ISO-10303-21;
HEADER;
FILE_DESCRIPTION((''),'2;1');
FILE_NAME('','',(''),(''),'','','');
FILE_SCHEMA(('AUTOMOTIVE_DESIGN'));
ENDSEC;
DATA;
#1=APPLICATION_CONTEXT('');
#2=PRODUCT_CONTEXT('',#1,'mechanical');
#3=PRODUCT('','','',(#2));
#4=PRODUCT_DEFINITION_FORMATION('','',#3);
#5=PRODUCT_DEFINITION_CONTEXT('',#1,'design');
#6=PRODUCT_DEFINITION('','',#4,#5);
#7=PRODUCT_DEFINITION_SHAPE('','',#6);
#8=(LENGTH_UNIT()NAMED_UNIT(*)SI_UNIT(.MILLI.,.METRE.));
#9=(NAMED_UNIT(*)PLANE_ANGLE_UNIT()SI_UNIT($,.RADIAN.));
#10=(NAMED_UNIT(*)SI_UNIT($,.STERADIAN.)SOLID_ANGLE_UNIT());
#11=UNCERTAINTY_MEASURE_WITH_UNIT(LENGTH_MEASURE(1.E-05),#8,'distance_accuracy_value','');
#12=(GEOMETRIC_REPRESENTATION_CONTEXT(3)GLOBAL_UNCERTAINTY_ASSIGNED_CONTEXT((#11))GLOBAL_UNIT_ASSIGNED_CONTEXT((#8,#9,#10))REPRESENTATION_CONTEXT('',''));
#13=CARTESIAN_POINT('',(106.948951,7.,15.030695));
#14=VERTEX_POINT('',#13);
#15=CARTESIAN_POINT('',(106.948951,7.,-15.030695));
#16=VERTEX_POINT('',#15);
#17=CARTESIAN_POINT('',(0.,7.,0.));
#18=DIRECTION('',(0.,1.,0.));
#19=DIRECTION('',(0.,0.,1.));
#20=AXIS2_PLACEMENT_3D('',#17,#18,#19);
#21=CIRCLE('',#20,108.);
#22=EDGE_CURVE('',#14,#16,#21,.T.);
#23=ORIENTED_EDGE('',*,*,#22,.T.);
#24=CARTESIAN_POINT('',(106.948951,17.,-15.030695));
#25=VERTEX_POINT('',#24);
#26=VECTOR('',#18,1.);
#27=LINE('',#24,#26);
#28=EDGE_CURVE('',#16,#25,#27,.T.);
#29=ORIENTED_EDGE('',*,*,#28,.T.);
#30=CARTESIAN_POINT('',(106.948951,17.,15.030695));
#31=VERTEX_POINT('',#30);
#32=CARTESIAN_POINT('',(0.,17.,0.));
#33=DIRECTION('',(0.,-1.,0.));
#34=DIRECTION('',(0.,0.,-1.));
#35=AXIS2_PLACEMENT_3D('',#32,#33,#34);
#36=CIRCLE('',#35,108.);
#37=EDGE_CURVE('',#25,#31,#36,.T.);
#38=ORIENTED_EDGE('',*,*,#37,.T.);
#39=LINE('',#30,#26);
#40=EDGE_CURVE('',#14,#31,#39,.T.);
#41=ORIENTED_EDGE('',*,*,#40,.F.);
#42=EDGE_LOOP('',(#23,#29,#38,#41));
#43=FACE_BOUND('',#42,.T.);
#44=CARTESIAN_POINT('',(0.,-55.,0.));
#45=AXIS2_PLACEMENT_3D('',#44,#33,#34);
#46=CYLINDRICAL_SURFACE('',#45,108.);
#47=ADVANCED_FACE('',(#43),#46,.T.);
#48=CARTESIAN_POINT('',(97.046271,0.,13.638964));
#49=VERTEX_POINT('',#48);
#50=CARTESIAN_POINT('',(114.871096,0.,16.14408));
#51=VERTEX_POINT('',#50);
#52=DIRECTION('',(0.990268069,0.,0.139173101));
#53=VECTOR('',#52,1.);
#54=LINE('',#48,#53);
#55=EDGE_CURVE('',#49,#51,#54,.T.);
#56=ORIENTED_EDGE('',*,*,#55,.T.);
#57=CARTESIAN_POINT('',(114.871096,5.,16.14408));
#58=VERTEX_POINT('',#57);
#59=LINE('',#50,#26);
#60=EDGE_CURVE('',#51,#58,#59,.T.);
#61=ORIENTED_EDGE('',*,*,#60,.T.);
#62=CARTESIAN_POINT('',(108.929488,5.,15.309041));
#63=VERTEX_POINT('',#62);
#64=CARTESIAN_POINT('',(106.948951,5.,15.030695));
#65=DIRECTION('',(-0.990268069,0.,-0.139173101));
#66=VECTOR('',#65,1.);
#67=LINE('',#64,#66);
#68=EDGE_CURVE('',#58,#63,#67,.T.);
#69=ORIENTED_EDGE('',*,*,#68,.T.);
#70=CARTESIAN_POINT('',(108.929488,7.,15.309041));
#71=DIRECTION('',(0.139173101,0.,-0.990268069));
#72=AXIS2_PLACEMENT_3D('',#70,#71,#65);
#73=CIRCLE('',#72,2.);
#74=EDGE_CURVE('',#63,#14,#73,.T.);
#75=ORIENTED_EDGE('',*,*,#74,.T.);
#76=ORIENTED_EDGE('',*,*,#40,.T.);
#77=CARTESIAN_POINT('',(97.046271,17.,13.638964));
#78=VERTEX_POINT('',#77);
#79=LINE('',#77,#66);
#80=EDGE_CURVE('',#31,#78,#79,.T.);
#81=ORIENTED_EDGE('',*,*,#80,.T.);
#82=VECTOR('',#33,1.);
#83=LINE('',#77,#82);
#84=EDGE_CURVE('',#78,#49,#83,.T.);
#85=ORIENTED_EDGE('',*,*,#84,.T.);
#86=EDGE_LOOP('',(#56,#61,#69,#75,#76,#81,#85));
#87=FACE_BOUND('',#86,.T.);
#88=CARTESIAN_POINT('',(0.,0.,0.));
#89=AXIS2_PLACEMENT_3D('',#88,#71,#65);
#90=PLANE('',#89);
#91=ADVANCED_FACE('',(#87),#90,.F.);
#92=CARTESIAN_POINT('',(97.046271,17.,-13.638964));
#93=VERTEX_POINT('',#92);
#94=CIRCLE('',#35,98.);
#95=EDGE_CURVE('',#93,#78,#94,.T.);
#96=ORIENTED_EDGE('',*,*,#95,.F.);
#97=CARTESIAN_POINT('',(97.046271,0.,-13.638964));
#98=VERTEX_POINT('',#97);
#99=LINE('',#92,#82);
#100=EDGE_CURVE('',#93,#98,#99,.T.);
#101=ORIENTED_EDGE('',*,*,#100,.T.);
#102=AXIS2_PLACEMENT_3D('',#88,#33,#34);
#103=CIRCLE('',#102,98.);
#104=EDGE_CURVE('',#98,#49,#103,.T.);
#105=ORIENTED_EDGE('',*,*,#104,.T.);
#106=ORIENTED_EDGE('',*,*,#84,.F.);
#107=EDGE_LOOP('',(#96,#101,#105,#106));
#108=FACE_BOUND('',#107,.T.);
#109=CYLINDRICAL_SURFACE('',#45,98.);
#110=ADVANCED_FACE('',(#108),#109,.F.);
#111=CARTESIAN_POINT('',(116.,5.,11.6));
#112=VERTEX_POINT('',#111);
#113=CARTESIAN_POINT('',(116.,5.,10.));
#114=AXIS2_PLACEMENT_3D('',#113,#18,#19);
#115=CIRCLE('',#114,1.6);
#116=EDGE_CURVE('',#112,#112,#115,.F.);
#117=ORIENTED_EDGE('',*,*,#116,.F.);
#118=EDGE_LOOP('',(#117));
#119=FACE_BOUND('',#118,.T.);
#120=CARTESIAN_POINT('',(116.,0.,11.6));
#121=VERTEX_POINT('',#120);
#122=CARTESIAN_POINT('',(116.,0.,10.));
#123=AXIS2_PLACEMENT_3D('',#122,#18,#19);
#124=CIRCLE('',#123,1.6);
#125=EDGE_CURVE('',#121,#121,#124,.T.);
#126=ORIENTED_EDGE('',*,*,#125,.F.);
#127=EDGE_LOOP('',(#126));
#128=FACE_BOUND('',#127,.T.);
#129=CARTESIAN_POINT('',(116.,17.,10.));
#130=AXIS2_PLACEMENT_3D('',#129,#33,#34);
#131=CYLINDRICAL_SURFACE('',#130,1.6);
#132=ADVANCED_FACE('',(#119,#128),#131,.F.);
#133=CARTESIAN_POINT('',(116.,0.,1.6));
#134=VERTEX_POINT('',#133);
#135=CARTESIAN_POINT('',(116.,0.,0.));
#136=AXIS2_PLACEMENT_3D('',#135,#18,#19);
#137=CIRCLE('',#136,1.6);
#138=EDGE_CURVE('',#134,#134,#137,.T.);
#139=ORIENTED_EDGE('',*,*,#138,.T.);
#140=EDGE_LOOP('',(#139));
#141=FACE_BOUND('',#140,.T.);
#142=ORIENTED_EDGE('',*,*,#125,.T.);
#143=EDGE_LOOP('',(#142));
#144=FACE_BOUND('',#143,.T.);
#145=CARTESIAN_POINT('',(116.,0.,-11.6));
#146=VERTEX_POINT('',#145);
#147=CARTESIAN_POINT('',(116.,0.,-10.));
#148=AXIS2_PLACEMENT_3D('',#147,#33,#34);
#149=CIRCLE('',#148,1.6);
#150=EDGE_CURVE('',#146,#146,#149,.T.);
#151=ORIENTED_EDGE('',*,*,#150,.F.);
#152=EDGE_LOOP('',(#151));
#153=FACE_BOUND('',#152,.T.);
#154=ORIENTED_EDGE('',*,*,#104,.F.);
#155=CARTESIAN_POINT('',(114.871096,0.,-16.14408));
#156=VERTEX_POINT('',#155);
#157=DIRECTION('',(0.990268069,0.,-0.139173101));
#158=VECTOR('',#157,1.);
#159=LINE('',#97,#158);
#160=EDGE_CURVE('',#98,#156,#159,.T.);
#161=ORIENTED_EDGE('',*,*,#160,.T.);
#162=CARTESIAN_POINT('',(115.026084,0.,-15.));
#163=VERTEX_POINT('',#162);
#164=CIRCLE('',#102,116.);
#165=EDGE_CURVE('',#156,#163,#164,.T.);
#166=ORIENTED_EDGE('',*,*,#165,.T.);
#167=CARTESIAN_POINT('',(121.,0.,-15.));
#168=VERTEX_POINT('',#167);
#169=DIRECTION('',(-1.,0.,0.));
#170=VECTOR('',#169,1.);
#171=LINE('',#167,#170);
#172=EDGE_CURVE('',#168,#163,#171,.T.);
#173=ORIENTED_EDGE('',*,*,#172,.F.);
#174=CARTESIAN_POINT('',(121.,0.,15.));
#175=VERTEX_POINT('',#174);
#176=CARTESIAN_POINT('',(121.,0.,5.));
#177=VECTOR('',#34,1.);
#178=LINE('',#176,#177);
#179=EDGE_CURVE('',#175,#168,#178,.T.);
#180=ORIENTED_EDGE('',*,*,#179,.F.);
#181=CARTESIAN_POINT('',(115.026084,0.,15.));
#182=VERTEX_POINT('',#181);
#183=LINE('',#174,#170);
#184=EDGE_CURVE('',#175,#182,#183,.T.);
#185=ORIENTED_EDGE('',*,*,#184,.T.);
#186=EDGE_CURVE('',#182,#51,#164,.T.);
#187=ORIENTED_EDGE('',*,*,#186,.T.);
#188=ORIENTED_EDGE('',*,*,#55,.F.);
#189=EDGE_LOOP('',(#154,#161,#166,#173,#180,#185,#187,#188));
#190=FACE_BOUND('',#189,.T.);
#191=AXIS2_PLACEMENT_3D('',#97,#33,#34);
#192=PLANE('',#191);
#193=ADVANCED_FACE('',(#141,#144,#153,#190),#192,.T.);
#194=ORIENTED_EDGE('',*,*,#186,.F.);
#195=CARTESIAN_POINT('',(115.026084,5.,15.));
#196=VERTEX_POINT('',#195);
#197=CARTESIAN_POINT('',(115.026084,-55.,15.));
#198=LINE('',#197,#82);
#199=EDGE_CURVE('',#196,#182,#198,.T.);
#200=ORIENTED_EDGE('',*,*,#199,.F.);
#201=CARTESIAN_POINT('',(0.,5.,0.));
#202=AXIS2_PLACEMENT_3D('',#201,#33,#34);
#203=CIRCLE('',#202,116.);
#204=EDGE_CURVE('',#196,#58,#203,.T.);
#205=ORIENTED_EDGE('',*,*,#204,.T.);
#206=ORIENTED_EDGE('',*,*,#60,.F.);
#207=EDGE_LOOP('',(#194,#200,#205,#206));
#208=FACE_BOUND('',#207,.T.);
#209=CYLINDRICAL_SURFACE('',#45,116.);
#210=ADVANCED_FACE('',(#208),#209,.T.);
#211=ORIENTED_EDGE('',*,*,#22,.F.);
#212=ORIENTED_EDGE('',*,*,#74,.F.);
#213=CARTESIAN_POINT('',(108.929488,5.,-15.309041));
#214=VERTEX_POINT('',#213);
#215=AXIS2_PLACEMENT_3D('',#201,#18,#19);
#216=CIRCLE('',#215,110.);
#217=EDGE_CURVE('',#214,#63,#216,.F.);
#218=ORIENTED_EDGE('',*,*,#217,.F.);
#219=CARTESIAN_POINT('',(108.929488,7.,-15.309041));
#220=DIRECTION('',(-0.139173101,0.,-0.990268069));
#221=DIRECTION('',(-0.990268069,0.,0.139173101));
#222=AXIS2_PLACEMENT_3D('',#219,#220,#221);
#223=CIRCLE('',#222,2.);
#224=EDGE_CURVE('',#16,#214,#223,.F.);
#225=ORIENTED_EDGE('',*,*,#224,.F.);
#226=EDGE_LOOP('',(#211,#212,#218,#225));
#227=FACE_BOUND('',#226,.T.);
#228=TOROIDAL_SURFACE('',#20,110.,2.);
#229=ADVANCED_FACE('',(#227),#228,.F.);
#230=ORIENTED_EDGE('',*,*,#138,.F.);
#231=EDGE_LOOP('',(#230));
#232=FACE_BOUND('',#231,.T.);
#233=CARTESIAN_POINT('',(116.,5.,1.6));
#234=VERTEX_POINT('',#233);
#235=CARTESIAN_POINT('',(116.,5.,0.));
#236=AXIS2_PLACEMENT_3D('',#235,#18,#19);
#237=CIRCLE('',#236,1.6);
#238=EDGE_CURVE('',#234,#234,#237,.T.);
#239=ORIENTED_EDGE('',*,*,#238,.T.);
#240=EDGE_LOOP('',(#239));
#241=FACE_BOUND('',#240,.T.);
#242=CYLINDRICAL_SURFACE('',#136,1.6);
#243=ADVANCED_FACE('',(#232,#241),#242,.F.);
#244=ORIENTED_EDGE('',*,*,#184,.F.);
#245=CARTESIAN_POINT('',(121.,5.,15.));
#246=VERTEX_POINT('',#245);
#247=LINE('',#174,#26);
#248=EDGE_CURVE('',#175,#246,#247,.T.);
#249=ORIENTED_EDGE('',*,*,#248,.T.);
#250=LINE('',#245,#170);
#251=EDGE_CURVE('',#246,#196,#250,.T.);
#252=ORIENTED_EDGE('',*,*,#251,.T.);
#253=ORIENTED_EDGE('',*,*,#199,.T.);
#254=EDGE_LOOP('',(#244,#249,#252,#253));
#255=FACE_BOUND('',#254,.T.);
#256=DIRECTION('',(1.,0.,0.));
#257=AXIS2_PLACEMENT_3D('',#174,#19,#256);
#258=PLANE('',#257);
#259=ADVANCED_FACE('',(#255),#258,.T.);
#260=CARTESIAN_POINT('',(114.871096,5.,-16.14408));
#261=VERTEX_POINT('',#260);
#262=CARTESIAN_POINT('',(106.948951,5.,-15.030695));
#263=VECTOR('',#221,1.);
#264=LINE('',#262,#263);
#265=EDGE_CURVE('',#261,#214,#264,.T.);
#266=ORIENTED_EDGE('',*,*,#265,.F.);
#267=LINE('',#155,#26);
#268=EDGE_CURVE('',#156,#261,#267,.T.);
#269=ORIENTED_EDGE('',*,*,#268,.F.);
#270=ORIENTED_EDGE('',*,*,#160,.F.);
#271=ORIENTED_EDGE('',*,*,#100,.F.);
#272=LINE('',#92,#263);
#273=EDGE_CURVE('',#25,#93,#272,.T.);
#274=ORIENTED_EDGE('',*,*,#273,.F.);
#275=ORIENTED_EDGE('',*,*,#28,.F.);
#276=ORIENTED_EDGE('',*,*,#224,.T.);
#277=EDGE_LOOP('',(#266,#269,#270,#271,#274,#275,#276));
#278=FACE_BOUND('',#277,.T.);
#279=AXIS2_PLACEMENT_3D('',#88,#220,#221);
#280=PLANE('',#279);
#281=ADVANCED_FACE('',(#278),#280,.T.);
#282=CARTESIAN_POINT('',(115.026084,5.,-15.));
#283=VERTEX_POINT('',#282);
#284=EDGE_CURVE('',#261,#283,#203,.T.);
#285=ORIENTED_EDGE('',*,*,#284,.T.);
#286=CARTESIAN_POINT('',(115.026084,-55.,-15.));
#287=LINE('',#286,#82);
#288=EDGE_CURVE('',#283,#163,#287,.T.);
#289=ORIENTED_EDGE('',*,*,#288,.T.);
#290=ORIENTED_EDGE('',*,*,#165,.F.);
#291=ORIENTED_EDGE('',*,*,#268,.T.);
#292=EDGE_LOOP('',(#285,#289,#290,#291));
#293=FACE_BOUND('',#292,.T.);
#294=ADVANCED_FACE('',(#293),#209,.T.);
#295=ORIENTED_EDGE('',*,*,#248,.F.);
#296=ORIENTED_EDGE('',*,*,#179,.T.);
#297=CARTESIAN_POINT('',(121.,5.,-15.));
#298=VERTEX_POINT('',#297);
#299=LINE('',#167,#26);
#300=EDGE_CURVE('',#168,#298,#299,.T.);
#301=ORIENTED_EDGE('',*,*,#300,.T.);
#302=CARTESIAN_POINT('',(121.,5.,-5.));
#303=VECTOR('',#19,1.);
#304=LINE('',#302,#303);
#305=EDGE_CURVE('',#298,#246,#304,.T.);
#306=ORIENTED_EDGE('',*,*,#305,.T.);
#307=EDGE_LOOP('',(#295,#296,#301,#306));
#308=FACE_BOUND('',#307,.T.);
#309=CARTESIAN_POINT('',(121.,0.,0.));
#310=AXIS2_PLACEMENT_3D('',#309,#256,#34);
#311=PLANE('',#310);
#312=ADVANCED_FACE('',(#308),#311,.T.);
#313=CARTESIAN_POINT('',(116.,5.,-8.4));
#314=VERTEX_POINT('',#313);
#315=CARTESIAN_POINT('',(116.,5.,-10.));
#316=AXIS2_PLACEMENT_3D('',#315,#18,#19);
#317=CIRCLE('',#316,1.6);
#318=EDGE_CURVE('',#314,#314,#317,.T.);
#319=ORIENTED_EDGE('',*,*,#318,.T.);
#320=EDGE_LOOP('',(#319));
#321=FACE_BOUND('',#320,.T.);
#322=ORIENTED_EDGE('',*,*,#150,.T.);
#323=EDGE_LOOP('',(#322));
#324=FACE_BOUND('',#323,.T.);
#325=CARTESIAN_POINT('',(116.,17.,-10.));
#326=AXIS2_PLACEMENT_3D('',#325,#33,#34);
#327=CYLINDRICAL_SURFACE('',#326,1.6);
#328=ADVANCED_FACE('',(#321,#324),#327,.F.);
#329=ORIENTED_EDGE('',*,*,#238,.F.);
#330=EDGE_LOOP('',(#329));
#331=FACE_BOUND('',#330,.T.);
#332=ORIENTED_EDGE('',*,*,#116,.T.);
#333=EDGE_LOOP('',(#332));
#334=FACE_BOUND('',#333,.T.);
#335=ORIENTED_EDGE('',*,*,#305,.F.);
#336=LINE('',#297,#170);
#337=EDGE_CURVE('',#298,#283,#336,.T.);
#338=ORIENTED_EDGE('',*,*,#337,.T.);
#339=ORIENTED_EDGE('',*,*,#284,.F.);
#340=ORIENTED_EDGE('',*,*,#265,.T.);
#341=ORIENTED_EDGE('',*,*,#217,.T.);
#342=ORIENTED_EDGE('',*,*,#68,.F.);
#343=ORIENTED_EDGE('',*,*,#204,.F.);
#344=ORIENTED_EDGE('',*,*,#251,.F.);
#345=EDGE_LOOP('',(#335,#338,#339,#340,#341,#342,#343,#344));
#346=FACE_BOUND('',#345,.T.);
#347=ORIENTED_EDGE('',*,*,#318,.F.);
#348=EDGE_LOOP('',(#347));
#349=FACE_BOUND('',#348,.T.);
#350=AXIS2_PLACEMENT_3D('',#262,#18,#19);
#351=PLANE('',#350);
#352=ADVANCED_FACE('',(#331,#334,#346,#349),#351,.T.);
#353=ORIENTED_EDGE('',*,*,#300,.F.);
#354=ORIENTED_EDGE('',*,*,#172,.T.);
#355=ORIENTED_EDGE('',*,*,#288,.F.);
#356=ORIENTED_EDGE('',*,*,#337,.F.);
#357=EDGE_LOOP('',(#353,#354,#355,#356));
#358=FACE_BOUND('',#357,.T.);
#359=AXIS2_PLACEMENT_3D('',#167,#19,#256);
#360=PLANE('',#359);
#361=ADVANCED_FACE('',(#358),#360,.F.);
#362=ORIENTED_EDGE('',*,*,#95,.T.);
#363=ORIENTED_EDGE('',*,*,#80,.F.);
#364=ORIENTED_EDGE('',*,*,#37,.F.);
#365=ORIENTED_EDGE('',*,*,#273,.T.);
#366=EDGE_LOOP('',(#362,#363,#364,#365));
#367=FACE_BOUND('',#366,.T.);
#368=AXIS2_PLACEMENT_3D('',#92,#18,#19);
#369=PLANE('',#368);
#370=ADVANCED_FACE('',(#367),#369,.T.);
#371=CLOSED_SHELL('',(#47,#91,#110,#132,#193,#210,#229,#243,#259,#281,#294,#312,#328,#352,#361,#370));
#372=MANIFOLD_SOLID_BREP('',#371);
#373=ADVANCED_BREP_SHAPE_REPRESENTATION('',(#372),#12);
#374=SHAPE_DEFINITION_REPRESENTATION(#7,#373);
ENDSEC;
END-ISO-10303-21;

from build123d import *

# Parameters (mm, degrees)
REVOLVE1_ANGLE                 = 16
SKETCH4_W                      = 10
SKETCH4_H                      = 5
MAKERBEAMSUPPORT_DEPTH         = 10
SKETCH5_R                      = 1.6
MAKERBEAMHOLE_DEPTH            = 18
MAKERBEAMHOLELINEARRIGHT_COUNT = 2
MAKERBEAMHOLELINEARRIGHT_PITCH = 10
MIRROR3_COPY_1_SKETCH_W        = 10
MIRROR3_COPY_1_SKETCH_H        = 5
MIRROR3_COPY_1_DEPTH           = 10
MIRROR3_COPY_2_SKETCH_R        = 1.6
MIRROR3_COPY_2_DEPTH           = 18
MIRROR3_COPY_3_SKETCH_W        = 10
MIRROR3_COPY_3_SKETCH_H        = 5
MIRROR3_COPY_3_DEPTH           = 10
FILLET7_R                      = 2
SKETCH8_R                      = 1.6
CUT_EXTRUDE8_DEPTH             = 6


with BuildPart() as part:
    # Sketch1 → Revolve1 (revolve, symmetric)
    with BuildSketch(Plane.XY) as revolve1_sk:
        Polygon((98, 17), (98, 0), (116, 0), (116, 5), (108, 5), (108, 17), align=None)
    revolve(axis=Axis((0, -55, 0), (0, 1, 0)), revolution_arc=REVOLVE1_ANGLE / 2)
    revolve(revolve1_sk.sketch, axis=Axis((0, -55, 0), (0, -1, 0)), revolution_arc=REVOLVE1_ANGLE / 2)

    # Sketch4 → MakerBeamSupport (add)
    with BuildSketch(Plane(origin=(111, 0, 0), x_dir=(0, 0, -1), z_dir=(1, 0, 0))):
        with Locations((0, 2.5)):
            Rectangle(SKETCH4_W, SKETCH4_H)
    makerbeamsupport = extrude(amount=MAKERBEAMSUPPORT_DEPTH)

    # Sketch5 → MakerBeamHole (cut, through all)
    with BuildSketch(Plane(origin=(0, 0, 0), x_dir=(-1, 0, 0), z_dir=(0, -1, 0))):
        with Locations((-116, 0)):
            Circle(SKETCH5_R)
    makerbeamhole = extrude(amount=-MAKERBEAMHOLE_DEPTH, mode=Mode.SUBTRACT)

    # MakerBeamHoleLinearRight: MakerBeamSupport, MakerBeamHole ×2
    with Locations(*[(0, 0, -i * MAKERBEAMHOLELINEARRIGHT_PITCH) for i in range(1, MAKERBEAMHOLELINEARRIGHT_COUNT)]):
        add(makerbeamsupport)
        add(makerbeamhole, mode=Mode.SUBTRACT)

    # Mirror3: MakerBeamHole across plane
    add(makerbeamhole.mirror(Plane.XY), mode=Mode.SUBTRACT)

    # Mirror3 copy 1 sketch → Mirror3 copy 1 (add)
    with BuildSketch(Plane(origin=(111, 0, 10), x_dir=(0, 0, 1), z_dir=(1, 0, 0))):
        with Locations((0, -2.5)):
            Rectangle(MIRROR3_COPY_1_SKETCH_W, MIRROR3_COPY_1_SKETCH_H)
    extrude(amount=MIRROR3_COPY_1_DEPTH)

    # Mirror3 copy 2 sketch → Mirror3 copy 2 (cut, through all)
    with BuildSketch(Plane(origin=(0, 0, 10), x_dir=(-1, 0, 0), z_dir=(0, -1, 0))):
        with Locations((-116, 0)):
            Circle(MIRROR3_COPY_2_SKETCH_R)
    extrude(amount=-MIRROR3_COPY_2_DEPTH, mode=Mode.SUBTRACT)

    # Mirror3 copy 3 sketch → Mirror3 copy 3 (add)
    with BuildSketch(Plane(origin=(111, 0, 0), x_dir=(0, 0, 1), z_dir=(1, 0, 0))):
        with Locations((0, -2.5)):
            Rectangle(MIRROR3_COPY_3_SKETCH_W, MIRROR3_COPY_3_SKETCH_H)
    extrude(amount=MIRROR3_COPY_3_DEPTH)

    # Fillet7
    fillet7_edges = [part.edges().sort_by_distance(p)[0] for p in [
        (108, 5, 0),
    ]]
    fillet(fillet7_edges, radius=FILLET7_R)

    # Sketch8 → Cut-Extrude8 (cut, through all)
    with BuildSketch(Plane(origin=(0, 5, 0), x_dir=(1, 0, 0), z_dir=(0, 1, 0))):
        with Locations((116, 0)):
            Circle(SKETCH8_R)
    extrude(amount=-CUT_EXTRUDE8_DEPTH, mode=Mode.SUBTRACT)


solid = part.part
